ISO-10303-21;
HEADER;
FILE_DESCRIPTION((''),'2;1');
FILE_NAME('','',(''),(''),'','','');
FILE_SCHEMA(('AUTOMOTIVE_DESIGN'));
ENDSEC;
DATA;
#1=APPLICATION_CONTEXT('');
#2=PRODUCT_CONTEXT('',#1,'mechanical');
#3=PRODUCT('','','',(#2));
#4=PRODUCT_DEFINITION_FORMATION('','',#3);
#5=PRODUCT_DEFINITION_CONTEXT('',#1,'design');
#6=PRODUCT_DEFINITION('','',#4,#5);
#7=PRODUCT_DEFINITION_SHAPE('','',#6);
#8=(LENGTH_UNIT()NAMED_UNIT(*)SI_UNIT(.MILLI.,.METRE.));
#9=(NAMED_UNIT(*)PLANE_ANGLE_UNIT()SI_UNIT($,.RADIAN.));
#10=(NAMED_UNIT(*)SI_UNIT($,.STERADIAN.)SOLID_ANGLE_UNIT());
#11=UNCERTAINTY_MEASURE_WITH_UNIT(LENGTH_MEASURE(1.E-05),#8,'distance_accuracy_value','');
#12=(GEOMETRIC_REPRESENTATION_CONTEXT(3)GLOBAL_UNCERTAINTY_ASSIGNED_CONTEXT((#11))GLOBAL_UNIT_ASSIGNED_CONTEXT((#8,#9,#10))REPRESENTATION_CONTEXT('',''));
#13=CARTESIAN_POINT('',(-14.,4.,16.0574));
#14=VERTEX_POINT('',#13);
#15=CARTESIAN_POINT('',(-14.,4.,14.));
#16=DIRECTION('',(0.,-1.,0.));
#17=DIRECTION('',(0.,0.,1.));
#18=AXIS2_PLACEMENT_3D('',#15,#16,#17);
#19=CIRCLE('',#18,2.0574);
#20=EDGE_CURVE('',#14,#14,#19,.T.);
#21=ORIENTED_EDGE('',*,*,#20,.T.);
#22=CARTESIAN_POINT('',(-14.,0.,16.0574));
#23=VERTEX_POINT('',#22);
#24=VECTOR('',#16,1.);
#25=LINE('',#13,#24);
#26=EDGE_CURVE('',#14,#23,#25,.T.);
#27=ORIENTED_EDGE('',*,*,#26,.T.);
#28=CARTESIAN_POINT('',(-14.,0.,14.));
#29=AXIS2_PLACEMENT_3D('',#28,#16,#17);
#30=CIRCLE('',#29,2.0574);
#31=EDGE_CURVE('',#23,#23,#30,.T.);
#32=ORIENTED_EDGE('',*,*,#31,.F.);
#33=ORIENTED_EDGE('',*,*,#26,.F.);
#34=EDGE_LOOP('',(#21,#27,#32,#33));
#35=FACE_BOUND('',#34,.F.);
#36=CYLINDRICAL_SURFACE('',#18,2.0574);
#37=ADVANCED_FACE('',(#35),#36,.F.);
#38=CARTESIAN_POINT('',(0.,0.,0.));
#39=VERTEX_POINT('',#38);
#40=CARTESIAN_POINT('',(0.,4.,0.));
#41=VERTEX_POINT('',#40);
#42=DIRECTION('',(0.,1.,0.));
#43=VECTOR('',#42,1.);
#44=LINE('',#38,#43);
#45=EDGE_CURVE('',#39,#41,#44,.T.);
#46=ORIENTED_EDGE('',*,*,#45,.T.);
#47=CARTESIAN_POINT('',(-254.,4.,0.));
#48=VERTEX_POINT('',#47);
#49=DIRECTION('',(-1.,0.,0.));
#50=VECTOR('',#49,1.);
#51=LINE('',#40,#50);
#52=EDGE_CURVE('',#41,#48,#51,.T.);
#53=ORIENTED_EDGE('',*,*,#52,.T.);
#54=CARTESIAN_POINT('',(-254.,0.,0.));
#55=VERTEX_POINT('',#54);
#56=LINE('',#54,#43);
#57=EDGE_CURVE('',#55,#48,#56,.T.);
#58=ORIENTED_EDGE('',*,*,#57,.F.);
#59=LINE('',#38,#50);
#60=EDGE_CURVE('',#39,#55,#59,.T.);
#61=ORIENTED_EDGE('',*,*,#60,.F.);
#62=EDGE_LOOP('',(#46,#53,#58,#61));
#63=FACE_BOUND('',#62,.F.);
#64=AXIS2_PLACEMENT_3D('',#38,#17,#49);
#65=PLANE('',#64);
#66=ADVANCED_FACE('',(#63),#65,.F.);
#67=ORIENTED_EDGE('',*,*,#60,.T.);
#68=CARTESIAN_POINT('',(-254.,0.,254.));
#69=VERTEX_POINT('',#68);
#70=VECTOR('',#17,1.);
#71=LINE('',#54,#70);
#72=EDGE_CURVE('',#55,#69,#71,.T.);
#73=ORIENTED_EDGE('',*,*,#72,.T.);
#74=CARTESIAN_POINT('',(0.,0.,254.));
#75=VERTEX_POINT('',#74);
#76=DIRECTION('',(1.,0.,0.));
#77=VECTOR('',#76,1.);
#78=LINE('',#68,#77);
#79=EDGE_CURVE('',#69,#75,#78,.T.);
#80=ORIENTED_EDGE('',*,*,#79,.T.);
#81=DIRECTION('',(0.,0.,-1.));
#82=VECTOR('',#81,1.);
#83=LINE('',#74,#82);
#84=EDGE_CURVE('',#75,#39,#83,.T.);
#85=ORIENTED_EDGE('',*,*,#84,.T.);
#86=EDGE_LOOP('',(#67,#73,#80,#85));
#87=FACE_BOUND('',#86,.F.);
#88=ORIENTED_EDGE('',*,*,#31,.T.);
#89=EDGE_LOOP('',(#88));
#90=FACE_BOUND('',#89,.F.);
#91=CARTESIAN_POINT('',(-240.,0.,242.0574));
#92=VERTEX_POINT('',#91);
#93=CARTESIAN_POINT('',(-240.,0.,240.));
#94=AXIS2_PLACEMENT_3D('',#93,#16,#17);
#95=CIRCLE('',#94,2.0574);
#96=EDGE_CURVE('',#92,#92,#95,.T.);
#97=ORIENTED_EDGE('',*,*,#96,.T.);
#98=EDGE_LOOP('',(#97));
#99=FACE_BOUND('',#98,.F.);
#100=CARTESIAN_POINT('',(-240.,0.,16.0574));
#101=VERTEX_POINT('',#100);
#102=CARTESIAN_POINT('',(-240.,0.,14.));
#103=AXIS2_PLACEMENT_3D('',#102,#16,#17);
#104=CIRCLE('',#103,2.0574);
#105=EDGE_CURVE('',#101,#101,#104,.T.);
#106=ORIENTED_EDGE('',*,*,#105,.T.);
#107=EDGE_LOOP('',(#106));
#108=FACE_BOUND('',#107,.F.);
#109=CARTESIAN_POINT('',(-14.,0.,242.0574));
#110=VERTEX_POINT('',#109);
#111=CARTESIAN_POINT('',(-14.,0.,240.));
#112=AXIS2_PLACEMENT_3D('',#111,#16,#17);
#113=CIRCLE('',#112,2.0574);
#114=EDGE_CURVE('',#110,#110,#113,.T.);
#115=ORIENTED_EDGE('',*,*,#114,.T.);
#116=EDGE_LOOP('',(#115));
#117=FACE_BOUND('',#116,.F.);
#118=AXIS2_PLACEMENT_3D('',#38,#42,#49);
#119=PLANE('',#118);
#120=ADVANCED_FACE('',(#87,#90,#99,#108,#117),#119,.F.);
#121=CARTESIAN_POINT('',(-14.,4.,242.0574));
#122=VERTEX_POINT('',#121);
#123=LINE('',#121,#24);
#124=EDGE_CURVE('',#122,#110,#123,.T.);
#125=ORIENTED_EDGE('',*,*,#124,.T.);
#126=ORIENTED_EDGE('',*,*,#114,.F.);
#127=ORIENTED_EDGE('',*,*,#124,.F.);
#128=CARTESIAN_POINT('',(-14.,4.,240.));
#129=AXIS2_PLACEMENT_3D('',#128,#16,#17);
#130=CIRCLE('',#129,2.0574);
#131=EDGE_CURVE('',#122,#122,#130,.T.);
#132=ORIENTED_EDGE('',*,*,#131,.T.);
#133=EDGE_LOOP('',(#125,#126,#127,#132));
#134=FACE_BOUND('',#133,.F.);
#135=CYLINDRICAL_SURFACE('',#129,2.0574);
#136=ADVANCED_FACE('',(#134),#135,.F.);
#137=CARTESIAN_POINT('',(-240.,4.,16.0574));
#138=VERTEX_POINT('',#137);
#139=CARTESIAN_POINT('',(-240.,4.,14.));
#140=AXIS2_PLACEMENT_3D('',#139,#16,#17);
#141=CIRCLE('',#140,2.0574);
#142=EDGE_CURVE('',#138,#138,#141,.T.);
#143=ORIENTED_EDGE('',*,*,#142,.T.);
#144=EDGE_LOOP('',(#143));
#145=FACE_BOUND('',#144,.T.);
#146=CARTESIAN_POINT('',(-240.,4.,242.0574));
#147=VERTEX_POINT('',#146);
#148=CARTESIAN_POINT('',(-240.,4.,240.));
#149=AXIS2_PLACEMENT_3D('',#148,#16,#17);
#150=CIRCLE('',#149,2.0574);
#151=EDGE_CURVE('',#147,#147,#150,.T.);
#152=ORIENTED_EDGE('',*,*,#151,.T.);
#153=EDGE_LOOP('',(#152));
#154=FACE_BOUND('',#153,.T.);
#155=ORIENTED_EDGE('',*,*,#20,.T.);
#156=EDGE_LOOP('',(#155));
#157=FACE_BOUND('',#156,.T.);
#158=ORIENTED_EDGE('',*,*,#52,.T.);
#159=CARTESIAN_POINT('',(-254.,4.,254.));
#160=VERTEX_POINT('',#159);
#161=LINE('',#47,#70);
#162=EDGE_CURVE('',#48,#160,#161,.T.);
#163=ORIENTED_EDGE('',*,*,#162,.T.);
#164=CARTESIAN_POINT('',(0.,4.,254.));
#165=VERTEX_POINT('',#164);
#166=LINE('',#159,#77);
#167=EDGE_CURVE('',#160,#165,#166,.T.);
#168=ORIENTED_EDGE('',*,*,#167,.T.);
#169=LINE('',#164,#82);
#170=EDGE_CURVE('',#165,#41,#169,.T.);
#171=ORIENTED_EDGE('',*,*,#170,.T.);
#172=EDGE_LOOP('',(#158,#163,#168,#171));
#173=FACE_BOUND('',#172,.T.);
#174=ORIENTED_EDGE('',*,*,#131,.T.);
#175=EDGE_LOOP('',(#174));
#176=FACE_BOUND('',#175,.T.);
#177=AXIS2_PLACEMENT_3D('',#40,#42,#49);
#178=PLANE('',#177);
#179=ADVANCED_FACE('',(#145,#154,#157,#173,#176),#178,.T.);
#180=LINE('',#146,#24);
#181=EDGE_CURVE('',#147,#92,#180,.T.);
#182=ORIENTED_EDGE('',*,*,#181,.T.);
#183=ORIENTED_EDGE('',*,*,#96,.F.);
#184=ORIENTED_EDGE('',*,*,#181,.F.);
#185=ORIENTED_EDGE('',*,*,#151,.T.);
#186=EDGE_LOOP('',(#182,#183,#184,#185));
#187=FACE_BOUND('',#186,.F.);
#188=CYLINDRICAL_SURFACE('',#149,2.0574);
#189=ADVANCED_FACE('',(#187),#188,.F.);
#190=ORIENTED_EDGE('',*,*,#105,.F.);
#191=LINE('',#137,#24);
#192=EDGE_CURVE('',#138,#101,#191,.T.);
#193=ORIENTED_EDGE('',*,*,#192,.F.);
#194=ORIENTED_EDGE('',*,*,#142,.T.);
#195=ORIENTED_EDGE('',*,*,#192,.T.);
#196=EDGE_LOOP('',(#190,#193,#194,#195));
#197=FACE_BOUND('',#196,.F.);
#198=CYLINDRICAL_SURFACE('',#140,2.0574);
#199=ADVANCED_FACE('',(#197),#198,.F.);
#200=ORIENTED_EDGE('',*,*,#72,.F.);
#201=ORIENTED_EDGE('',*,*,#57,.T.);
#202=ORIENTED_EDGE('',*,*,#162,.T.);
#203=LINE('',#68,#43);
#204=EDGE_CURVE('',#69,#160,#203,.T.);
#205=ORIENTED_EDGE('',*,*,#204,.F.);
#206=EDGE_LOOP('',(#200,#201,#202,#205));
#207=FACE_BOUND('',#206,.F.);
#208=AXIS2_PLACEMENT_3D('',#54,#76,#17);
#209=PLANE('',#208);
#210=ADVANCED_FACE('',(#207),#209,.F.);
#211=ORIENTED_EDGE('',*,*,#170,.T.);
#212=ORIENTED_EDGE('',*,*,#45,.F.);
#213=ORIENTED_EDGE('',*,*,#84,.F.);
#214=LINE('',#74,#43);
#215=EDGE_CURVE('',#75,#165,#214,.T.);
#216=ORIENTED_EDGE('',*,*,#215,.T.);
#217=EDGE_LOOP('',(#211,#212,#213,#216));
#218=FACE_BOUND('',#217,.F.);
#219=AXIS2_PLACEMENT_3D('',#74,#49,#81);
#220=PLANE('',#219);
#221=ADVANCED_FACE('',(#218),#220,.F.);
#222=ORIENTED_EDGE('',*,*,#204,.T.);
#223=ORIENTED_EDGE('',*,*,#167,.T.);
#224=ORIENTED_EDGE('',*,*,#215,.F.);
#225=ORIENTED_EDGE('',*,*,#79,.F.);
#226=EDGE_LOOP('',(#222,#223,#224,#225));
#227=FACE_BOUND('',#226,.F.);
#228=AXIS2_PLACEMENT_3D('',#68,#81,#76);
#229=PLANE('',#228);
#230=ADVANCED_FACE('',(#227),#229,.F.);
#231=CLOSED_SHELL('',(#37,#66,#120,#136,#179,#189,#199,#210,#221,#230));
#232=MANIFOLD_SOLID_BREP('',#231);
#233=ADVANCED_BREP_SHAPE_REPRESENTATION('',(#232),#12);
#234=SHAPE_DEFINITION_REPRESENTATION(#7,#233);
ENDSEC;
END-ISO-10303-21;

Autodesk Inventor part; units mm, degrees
ref_plane "YZ Plane" through (0, 0, 0) normal (1, 0, 0) x (0, 1, 0)
ref_plane "XZ Plane" through (0, 0, 0) normal (0, 1, 0) x (-1, 0, 0)
ref_plane "XY Plane" through (0, 0, 0) normal (0, 0, 1) x (1, 0, 0)
sketch "Sketch1" plane through (0, 0, 0) normal (0, 1, 0) x (-1, 0, 0)
  line L0 (254, 254) -> (0, 254)
  line L1 (0, 254) -> (0, 0)
  line L2 (0, 0) -> (254, 0)
  line L3 (254, 0) -> (254, 254)
extrude "Extrusion1" add sketch "Sketch1" along normal blind 4
sketch "Sketch2" plane through (0, 4, 0) normal (0, 1, 0) x (1, 0, 0)
  line L0 (-254, -254) -> (0, -254) projected
  line L1 (0, -254) -> (0, -240)
  line L2 (0, -254) -> (0, 0) projected
  line L3 (0, -240) -> (-14, -240)
  line L4 (-14, -240) -> (-14, -14)
  line L5 (-14, -14) -> (-240, -14)
  line L6 (-240, -14) -> (-240, -240)
  dimension "d2" = 14
  dimension "d3" = 14
  dimension "d4" = 226
  dimension "d5" = 226
  dimension "d6" = 226
hole "Hole1" at (-14, 4, 14) at (-14, 4, 240) at (-240, 4, 14) at (-240, 4, 240) direction (0, -1, 0) diameter 4.1148 depth 12.3
properties part number "lid_bakeout_box_2020_iqc"
